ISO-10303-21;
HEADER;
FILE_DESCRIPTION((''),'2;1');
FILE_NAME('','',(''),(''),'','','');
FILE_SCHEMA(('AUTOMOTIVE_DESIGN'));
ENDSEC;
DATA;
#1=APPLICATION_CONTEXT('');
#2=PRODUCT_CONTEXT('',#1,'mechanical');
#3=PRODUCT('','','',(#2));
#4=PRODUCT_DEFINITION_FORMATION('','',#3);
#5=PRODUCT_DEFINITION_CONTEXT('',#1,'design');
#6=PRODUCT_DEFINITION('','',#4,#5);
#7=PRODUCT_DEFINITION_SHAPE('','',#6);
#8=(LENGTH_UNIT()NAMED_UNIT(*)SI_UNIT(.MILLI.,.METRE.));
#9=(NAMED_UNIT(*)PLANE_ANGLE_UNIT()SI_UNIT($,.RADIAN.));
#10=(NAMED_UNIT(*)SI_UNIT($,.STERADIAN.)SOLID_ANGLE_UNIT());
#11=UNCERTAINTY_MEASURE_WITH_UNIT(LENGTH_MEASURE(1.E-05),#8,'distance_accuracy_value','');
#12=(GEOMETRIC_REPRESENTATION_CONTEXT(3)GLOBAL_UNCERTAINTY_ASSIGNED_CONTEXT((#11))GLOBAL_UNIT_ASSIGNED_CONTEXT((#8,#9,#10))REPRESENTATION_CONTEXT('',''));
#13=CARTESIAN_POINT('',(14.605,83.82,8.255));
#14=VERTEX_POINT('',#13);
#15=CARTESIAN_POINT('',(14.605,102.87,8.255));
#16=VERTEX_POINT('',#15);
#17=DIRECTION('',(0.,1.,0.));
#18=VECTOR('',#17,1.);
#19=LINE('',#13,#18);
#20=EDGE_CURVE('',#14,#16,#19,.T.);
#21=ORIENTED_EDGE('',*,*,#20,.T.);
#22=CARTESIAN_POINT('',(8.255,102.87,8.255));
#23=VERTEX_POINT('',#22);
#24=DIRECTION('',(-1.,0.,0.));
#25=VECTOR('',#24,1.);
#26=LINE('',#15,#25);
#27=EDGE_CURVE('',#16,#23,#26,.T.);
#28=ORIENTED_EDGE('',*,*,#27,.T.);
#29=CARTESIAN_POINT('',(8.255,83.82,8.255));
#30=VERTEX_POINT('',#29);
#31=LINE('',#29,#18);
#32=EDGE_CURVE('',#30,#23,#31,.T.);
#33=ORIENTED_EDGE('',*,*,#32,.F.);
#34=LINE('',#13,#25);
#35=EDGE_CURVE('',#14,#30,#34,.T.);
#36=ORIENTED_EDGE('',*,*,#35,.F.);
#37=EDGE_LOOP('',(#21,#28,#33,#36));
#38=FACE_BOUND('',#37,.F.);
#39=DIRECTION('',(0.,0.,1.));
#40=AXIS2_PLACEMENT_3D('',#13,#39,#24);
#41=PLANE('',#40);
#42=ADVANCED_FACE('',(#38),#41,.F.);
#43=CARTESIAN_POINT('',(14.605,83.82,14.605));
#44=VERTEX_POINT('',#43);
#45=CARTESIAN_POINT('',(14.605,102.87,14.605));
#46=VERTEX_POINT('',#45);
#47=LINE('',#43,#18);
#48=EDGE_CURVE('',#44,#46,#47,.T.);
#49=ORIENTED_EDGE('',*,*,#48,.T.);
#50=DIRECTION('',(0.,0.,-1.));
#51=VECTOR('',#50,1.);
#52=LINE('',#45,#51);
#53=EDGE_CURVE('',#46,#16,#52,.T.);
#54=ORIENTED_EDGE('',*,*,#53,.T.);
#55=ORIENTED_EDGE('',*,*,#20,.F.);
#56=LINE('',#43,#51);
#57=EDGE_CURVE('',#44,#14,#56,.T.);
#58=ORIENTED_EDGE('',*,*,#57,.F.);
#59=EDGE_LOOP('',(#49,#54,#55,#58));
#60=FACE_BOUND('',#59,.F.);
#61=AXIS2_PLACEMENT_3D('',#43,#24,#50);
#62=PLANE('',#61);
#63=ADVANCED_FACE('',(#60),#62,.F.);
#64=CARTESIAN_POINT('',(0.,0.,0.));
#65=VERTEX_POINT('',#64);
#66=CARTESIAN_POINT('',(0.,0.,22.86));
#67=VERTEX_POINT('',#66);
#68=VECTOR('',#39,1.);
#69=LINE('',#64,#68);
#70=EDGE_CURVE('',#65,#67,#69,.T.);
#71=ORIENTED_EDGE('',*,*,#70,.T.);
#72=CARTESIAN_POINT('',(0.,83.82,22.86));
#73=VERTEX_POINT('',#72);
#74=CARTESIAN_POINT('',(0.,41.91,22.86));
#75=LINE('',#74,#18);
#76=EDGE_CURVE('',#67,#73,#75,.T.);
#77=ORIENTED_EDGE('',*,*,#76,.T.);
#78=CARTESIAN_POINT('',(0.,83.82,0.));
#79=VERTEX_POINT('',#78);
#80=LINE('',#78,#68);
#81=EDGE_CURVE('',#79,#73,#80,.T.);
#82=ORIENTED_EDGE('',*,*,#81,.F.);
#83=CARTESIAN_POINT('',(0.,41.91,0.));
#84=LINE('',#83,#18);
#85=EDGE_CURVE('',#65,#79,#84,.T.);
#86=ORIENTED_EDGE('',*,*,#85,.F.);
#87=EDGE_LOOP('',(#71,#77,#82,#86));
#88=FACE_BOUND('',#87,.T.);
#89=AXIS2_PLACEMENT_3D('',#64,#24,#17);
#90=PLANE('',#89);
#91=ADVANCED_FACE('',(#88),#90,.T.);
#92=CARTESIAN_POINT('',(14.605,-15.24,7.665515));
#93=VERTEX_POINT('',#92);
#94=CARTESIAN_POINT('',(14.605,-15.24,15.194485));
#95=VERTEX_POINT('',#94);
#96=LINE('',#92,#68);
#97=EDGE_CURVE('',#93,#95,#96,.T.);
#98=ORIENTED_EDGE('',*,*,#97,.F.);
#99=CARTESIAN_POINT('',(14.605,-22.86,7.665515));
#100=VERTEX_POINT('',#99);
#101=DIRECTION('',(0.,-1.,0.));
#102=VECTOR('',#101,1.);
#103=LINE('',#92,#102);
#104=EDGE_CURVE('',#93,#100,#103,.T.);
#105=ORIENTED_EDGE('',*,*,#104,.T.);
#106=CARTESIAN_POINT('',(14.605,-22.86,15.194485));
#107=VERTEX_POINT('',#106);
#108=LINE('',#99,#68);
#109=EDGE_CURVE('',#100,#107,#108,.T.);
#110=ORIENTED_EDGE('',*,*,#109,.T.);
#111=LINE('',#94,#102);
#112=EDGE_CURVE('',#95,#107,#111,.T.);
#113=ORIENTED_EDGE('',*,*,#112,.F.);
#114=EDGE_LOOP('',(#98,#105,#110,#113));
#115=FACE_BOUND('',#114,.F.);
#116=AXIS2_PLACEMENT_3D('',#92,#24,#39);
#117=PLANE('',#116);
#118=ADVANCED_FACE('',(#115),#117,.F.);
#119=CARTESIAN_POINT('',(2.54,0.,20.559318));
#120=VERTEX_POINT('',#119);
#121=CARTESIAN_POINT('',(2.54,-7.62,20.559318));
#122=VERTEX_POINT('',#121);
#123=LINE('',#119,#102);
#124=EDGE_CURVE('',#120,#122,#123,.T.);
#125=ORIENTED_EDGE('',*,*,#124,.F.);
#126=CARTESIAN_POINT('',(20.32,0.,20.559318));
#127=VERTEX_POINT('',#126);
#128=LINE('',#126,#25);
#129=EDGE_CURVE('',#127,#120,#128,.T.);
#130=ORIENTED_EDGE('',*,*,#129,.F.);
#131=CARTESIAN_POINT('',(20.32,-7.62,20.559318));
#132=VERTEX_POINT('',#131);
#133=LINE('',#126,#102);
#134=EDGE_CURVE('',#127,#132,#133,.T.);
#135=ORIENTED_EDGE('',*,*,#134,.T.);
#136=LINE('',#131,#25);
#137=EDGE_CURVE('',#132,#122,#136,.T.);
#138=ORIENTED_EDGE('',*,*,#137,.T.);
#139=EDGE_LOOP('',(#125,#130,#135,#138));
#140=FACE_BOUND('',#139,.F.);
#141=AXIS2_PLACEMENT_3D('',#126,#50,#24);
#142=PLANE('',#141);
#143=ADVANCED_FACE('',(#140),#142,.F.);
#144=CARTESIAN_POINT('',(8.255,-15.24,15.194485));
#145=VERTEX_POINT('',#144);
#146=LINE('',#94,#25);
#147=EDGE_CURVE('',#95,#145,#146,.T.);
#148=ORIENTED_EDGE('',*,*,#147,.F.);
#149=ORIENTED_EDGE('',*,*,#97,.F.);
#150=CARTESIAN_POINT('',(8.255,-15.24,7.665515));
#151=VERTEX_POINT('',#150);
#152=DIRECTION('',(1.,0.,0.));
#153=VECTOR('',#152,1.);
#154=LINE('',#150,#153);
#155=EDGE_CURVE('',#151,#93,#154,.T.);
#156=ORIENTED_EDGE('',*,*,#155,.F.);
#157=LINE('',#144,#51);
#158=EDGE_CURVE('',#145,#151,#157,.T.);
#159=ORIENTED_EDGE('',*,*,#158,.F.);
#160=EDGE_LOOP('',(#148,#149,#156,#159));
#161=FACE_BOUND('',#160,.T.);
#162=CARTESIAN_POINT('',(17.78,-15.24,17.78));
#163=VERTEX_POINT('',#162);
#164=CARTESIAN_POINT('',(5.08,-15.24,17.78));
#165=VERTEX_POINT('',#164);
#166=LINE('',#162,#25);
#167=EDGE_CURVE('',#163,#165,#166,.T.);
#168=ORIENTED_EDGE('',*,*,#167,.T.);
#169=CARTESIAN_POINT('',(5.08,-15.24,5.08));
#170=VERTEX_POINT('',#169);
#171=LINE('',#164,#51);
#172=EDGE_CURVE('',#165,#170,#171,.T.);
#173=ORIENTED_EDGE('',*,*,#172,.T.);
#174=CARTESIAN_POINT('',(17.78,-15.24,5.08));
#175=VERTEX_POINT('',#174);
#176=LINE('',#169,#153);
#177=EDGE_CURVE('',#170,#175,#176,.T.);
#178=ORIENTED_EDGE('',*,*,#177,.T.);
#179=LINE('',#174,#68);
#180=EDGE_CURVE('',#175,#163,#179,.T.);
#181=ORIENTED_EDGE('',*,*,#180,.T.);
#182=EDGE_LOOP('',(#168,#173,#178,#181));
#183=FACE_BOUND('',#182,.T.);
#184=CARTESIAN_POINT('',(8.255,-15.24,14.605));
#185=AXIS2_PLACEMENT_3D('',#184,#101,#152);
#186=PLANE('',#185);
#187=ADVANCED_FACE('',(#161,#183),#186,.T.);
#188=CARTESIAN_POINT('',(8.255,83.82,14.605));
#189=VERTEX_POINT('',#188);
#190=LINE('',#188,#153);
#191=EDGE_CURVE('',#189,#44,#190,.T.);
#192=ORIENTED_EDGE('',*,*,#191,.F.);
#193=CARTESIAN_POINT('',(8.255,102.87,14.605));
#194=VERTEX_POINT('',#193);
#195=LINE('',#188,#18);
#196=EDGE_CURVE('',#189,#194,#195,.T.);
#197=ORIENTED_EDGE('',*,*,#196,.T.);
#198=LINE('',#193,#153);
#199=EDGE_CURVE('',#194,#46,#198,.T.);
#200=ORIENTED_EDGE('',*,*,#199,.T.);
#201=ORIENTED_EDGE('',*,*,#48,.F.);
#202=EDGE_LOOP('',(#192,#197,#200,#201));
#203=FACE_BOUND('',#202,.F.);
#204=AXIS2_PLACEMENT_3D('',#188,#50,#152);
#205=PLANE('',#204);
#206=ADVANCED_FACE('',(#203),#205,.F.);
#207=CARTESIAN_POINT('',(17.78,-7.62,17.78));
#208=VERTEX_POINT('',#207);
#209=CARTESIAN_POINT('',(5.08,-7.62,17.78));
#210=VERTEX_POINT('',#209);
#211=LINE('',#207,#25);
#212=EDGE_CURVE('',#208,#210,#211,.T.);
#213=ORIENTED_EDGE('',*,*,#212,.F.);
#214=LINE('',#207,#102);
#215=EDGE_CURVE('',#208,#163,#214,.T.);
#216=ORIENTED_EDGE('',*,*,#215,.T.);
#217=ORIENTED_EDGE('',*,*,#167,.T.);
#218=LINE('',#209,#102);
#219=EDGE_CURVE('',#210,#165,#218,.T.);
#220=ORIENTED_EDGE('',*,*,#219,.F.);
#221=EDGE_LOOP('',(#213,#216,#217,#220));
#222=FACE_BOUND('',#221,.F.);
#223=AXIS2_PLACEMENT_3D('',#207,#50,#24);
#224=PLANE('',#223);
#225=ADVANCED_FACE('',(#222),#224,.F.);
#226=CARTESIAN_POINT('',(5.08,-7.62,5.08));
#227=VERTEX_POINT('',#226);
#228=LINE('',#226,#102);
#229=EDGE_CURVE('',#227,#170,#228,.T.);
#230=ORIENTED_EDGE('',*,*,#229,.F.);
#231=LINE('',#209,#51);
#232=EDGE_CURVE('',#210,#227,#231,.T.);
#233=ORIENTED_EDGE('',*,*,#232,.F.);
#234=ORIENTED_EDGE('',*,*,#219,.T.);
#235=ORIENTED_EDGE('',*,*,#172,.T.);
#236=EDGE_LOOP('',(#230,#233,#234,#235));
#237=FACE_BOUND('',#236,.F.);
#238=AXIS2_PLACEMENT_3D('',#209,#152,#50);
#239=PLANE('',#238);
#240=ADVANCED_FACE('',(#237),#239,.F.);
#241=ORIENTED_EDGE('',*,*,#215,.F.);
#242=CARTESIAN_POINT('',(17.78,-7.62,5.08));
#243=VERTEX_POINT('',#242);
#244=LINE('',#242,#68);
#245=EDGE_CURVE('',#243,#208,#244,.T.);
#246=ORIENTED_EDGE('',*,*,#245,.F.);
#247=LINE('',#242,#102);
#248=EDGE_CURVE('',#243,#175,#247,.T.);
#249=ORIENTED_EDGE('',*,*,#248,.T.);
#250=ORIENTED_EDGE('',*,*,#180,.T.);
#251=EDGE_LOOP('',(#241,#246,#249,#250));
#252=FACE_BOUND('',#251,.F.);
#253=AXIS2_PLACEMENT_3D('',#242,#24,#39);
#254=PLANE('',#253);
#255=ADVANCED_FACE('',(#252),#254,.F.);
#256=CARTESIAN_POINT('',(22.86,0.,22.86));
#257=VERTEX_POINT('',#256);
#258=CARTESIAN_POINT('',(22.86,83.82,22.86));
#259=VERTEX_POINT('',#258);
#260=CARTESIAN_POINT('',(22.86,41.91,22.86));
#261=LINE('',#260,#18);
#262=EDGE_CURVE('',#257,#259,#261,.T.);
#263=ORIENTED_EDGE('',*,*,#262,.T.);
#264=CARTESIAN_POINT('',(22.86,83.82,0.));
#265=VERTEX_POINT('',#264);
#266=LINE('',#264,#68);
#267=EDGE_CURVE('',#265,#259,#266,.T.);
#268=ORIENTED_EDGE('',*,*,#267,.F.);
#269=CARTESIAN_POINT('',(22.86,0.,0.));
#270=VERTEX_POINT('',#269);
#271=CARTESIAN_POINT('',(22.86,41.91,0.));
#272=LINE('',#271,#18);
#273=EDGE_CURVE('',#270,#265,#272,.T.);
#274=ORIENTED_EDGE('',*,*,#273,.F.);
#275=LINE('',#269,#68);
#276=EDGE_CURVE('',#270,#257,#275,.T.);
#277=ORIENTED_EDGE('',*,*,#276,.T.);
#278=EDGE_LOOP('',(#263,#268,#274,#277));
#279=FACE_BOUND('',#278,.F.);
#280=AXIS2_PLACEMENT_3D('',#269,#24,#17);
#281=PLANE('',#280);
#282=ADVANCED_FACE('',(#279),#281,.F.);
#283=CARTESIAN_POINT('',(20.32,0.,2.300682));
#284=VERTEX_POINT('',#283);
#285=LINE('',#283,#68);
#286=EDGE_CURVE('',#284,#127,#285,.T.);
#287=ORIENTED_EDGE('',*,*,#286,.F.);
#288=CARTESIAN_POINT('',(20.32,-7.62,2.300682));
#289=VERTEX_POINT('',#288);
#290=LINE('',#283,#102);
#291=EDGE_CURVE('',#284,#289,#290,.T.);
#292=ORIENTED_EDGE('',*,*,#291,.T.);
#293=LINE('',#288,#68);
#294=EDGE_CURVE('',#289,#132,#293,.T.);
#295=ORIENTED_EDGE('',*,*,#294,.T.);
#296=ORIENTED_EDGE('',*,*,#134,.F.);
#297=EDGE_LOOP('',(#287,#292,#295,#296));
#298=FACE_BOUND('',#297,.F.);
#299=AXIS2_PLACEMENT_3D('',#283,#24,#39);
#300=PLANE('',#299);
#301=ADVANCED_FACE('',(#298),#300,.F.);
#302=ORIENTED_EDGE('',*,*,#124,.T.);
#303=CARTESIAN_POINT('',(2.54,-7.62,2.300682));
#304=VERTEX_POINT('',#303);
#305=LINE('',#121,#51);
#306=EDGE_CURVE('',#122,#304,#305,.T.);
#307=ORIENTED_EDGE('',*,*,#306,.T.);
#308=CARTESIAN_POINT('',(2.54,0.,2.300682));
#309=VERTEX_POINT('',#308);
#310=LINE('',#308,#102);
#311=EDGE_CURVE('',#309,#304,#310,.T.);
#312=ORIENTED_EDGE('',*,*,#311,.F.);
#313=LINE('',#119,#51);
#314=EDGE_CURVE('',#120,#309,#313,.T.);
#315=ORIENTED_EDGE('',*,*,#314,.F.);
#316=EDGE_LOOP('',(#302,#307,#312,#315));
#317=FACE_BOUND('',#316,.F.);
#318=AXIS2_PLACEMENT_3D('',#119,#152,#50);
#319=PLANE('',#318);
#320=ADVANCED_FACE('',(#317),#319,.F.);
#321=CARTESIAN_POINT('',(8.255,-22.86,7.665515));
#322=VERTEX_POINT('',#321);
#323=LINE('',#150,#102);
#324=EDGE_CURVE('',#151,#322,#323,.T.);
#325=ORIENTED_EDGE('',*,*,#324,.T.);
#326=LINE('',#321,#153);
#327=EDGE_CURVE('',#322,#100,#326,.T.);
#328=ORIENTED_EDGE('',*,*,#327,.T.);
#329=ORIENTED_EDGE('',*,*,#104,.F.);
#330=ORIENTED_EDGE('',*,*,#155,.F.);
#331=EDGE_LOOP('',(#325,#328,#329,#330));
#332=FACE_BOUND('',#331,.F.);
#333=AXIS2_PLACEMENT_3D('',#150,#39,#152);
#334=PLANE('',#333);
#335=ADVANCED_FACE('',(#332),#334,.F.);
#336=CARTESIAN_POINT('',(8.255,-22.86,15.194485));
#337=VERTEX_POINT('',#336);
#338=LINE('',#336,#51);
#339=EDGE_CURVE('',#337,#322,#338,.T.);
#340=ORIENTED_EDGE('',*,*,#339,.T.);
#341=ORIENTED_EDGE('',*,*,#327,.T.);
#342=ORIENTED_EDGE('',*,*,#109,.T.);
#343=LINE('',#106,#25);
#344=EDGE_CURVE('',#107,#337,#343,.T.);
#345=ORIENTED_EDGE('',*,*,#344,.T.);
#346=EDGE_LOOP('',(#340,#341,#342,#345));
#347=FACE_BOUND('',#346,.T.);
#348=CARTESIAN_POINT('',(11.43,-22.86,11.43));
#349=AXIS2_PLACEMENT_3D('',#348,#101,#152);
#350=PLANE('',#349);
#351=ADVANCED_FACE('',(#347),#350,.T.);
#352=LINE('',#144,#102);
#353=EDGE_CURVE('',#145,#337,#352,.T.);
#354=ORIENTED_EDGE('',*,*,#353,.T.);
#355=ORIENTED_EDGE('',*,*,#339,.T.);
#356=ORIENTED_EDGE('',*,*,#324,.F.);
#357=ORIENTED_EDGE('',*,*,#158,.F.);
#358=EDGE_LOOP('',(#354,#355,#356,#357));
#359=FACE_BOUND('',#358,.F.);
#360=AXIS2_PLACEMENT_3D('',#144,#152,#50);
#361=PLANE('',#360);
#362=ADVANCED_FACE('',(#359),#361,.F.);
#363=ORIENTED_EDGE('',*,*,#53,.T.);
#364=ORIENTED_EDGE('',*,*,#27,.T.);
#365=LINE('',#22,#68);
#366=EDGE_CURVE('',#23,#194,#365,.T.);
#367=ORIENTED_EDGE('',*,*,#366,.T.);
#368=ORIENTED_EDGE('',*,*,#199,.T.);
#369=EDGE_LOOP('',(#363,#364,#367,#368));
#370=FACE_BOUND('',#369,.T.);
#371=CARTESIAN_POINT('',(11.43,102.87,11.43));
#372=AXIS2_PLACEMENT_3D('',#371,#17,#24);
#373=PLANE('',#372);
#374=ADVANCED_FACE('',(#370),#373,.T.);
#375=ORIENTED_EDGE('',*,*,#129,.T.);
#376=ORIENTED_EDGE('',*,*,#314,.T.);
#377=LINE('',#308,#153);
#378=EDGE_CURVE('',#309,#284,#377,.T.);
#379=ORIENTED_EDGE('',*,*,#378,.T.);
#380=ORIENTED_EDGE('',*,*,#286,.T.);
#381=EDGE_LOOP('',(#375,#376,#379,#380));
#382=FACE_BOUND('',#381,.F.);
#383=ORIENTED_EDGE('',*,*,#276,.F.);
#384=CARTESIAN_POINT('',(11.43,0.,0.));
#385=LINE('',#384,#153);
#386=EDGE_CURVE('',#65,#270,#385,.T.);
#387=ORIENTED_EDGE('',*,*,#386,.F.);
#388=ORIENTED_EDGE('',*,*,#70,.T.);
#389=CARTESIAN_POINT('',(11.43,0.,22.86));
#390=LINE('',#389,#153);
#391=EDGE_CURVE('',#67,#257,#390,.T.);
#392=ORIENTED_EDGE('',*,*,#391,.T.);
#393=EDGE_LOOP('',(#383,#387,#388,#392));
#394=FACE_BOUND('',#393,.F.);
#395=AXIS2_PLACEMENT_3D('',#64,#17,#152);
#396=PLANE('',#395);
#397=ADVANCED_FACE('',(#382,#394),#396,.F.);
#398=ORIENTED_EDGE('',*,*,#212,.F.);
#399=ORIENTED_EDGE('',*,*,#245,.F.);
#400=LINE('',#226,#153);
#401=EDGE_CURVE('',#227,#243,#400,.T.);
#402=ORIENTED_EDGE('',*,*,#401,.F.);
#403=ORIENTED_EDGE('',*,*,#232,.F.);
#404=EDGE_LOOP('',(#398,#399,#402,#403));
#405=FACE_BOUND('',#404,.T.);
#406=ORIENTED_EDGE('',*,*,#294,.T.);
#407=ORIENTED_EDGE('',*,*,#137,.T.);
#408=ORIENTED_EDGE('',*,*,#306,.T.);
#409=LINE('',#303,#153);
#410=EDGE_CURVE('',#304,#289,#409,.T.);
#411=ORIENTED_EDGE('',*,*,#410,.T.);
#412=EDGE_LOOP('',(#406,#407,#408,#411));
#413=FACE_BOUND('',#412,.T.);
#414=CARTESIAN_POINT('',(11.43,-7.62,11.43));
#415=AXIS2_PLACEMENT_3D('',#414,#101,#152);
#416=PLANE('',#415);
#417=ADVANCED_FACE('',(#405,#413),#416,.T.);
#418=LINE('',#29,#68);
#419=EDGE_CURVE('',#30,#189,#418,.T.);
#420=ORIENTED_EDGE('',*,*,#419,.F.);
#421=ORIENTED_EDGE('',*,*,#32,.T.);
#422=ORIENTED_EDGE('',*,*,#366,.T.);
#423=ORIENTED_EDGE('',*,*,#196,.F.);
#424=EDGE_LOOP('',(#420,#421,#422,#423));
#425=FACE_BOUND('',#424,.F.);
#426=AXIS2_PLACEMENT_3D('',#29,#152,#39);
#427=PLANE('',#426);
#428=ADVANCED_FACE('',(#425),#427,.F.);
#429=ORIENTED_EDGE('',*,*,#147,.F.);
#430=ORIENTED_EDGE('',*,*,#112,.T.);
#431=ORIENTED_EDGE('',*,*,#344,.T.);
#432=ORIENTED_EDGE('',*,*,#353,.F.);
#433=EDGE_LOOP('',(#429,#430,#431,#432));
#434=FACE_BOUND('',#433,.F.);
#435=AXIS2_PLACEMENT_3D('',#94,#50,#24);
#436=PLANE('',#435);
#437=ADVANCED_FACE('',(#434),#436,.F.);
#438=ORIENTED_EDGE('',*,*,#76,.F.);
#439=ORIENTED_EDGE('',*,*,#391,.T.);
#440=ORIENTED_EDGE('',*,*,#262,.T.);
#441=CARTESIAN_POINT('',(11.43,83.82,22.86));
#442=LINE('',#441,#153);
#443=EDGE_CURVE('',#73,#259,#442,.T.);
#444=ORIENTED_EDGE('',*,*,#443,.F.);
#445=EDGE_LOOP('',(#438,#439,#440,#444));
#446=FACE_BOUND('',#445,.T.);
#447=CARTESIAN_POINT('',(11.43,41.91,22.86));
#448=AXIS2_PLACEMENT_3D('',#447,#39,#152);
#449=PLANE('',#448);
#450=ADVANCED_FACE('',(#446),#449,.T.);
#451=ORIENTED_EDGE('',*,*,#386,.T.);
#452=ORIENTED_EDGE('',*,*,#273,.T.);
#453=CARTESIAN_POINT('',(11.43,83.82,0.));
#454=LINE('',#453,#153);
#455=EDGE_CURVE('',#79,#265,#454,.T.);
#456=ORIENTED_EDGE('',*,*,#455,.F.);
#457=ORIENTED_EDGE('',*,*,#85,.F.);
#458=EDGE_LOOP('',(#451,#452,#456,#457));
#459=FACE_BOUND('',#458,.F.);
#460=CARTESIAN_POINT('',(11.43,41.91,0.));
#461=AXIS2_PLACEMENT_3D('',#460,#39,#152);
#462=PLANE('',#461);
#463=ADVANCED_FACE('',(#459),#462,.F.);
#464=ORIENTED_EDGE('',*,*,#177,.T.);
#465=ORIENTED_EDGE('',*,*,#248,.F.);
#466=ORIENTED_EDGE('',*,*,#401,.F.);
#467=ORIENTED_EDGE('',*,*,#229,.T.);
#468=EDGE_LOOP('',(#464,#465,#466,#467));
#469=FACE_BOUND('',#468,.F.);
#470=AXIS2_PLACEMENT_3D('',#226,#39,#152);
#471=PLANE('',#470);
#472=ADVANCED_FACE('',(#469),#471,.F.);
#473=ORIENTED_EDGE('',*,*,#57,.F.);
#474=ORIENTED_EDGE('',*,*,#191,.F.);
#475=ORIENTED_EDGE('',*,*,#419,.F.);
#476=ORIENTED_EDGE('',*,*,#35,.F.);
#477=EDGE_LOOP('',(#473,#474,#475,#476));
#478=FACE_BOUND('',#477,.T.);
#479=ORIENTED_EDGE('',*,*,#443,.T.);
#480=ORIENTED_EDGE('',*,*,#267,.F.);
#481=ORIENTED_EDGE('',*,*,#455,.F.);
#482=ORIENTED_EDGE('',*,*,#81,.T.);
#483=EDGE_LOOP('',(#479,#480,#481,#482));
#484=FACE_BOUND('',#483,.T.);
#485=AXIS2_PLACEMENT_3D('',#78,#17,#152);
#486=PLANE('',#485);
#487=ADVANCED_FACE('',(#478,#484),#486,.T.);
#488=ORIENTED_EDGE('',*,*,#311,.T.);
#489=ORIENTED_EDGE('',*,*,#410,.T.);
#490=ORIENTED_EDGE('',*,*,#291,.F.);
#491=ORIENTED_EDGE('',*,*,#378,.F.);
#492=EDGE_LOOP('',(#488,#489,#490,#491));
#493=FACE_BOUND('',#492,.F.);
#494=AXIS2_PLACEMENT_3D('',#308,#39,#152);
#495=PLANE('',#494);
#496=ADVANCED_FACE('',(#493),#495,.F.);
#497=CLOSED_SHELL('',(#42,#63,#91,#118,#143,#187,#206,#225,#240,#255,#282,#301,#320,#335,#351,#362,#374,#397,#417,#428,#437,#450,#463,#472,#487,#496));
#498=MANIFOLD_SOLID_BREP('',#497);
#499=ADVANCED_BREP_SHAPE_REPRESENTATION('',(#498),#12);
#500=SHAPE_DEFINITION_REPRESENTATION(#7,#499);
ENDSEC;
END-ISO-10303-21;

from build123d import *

# Parameters (mm, degrees)
F0_W     = 22.86
F0_H     = 83.82
F1_DEPTH = 22.86
F3_DEPTH = 19.05
F5_DEPTH = 7.62
F6_W     = 6.35
F6_H     = 6.35
F7_DEPTH = 7.62
F9_DEPTH = 7.62


with BuildPart() as f1:
    # F0 (on Top) → F1 (new body)
    with BuildSketch(Plane.XY):
        with Locations((11.43, 41.91)):
            Rectangle(F0_W, F0_H)
    extrude(amount=F1_DEPTH)

    # F2 (on face) → F3 (join)
    with BuildSketch(Plane(origin=(0, 83.82, 0), x_dir=(-1, 0, 0), z_dir=(0, 1, 0))):
        Polygon((-8.255, 8.255), (-8.255, 14.605), (-14.605, 14.605), (-14.605, 11.43), (-14.605, 8.255), align=None)
    extrude(amount=F3_DEPTH)

    # F4 (on face) → F5 (join)
    with BuildSketch(Plane.XZ):
        Polygon((20.32, 20.559318), (2.54, 20.559318), (2.54, 11.43), (2.54, 2.300682), (20.32, 2.300682), align=None)
    extrude(amount=F5_DEPTH)

    # F6 (on face) → F7 (join)
    with BuildSketch(Plane.XZ.offset(7.62)):
        with Locations((8.255, 14.605)):
            Rectangle(F6_W, F6_H)
        Polygon((11.43, 11.43), (5.08, 11.43), (5.08, 5.08), (17.78, 5.08), (17.78, 17.78), (11.43, 17.78), align=None)
    extrude(amount=F7_DEPTH)

    # F8 (on face) → F9 (join)
    with BuildSketch(Plane.XZ.offset(15.24)):
        Polygon((14.605, 15.194485), (8.255, 15.194485), (8.255, 11.43), (8.255, 7.665515), (14.605, 7.665515), align=None)
    extrude(amount=F9_DEPTH)


solid = f1.part
